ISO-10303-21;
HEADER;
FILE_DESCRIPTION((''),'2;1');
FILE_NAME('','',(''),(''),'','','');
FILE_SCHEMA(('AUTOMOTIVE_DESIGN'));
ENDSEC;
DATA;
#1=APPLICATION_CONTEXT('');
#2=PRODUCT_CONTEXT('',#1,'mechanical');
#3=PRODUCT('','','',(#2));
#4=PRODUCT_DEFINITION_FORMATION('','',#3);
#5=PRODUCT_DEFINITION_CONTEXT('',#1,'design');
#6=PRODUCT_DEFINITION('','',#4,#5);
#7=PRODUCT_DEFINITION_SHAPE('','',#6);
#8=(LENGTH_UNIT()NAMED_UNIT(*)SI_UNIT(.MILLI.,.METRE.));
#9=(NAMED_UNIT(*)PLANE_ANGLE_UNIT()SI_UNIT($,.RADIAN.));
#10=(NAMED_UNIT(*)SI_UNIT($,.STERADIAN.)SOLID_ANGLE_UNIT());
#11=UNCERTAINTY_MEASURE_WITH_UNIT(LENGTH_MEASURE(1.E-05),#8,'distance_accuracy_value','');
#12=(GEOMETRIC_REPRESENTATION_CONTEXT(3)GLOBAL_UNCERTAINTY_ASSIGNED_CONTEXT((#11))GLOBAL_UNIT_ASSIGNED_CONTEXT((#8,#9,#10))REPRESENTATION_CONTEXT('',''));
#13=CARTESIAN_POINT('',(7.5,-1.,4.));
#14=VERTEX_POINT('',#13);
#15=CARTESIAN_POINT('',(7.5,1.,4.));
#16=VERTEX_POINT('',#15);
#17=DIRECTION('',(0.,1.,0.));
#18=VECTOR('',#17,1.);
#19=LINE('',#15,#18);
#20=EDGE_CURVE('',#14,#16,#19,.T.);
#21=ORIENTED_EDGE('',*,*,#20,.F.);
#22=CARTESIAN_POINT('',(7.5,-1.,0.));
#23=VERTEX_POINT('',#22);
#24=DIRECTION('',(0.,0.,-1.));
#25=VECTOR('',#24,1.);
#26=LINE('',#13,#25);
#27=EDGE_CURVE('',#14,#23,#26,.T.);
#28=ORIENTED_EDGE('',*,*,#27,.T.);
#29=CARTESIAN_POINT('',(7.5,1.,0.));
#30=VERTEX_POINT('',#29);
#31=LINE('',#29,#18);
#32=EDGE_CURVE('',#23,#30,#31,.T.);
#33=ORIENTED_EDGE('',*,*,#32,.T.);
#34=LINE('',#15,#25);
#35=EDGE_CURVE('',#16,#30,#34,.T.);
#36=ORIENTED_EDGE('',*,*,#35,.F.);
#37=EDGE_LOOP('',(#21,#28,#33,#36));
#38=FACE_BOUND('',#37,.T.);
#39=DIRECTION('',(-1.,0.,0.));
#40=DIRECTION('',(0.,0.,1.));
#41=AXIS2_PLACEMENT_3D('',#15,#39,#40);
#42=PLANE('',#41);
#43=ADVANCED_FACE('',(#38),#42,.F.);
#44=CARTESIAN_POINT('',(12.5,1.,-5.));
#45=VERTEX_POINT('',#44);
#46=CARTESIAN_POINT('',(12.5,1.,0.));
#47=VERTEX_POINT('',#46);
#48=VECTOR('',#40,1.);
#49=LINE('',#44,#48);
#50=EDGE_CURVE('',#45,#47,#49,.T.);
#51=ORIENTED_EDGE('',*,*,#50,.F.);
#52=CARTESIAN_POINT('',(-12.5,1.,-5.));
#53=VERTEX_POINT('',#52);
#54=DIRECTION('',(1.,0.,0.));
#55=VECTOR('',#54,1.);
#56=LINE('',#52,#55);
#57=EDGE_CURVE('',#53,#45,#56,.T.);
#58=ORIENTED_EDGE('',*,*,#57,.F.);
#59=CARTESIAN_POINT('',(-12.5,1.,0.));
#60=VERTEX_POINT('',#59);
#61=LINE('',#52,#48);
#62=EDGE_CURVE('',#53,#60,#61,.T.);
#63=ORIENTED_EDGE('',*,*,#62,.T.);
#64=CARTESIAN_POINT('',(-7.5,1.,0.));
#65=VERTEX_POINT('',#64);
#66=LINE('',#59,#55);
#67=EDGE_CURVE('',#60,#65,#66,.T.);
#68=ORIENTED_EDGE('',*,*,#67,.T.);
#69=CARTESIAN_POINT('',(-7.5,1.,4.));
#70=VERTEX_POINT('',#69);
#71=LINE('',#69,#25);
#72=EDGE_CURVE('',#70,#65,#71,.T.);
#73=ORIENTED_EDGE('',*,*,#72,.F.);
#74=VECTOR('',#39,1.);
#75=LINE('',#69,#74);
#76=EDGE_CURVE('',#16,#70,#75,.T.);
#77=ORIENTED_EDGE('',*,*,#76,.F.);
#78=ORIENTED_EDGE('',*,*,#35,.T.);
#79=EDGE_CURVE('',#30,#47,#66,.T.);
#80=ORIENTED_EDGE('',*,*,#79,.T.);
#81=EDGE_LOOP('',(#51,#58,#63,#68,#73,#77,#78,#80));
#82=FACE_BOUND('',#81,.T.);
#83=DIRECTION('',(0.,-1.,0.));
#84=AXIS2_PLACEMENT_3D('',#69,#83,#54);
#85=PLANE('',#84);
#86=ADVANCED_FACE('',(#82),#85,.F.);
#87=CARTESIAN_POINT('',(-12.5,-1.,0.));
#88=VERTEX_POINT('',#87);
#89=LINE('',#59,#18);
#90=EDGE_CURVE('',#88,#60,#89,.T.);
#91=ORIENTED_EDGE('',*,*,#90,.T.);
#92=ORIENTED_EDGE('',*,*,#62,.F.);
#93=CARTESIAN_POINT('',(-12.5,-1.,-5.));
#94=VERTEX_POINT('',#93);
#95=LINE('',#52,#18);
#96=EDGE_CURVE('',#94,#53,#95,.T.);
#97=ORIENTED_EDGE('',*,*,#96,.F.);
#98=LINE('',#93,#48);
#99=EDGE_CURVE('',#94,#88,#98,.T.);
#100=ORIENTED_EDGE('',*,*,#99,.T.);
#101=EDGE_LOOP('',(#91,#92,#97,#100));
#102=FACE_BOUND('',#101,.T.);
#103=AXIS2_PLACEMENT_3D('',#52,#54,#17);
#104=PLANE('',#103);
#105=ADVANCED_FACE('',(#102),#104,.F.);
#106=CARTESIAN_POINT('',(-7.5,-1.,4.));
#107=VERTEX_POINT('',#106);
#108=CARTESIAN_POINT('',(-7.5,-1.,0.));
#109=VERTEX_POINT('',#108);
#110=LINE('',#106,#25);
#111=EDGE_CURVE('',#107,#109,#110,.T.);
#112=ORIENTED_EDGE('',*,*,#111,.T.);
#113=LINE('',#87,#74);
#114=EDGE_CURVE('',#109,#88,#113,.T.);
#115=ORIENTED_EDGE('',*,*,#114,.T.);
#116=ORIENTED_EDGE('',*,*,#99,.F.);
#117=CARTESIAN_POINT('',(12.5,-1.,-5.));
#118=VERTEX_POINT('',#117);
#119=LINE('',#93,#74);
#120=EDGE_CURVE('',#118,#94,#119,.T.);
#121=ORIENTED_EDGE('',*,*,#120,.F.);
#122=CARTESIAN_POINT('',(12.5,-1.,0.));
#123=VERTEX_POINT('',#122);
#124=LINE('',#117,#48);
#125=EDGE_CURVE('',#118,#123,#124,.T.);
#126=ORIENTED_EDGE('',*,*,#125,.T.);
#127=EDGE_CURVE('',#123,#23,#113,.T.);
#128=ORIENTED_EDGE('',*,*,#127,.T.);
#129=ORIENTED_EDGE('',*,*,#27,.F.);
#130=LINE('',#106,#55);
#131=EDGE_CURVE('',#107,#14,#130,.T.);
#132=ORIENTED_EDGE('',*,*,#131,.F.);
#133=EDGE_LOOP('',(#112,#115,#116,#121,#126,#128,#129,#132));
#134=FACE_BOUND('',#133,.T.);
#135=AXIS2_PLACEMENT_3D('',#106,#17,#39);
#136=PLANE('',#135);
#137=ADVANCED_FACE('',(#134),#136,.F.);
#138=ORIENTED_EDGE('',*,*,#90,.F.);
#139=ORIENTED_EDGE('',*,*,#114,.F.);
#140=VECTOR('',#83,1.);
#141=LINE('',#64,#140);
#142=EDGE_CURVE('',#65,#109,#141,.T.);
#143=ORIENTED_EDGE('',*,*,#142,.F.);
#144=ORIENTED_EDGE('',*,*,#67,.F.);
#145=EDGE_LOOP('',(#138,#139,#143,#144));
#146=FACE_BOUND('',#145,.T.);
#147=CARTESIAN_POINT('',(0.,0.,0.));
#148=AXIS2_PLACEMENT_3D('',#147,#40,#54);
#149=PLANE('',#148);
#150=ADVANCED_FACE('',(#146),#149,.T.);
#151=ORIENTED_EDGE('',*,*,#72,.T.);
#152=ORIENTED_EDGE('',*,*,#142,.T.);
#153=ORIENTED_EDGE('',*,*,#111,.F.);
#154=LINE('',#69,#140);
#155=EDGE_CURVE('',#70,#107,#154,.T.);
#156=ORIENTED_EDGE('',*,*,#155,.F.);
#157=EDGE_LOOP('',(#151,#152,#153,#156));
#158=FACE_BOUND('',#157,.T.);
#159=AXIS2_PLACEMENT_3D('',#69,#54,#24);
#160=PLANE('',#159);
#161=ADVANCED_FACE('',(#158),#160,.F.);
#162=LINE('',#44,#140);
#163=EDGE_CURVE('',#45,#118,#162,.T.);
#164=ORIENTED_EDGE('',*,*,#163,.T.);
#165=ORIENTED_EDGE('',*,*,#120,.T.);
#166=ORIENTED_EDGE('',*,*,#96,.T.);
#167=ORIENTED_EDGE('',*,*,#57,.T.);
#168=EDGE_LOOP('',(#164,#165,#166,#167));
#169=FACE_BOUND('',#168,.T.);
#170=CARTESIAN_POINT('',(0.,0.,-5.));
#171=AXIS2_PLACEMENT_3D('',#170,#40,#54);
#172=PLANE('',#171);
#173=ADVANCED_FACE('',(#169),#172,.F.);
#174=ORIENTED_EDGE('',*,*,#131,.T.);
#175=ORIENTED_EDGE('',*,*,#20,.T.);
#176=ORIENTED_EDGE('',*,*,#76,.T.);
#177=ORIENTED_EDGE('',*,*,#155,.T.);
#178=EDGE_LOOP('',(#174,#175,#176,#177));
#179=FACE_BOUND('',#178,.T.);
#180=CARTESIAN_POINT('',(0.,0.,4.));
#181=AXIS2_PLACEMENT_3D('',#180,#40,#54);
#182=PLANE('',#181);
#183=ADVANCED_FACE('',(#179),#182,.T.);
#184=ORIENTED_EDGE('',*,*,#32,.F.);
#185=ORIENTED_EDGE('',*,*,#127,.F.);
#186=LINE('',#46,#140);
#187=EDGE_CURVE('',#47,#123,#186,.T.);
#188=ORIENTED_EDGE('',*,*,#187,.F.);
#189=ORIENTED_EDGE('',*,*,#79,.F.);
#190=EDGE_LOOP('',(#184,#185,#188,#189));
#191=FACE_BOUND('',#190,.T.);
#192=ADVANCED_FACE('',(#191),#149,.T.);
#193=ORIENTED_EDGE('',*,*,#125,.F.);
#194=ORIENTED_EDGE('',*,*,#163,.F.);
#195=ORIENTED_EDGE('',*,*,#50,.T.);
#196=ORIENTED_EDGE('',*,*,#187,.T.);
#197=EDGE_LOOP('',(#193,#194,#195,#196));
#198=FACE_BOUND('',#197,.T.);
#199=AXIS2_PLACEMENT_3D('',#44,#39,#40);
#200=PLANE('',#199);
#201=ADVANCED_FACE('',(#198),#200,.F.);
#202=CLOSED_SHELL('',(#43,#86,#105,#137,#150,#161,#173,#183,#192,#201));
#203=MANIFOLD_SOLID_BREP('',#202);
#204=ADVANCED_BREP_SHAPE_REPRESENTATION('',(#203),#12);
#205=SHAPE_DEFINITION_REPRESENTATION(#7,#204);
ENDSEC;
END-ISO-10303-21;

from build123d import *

# Parameters (mm, degrees)
SKETCH1_W           = 15
SKETCH1_H           = 2
BOSS_EXTRUDE1_DEPTH = 4
SKETCH2_W           = 25
SKETCH2_H           = 2
BOSS_EXTRUDE2_DEPTH = 5


with BuildPart() as part:
    # Sketch1 → Boss-Extrude1 (new body)
    with BuildSketch(Plane.XY):
        Rectangle(SKETCH1_W, SKETCH1_H)
    extrude(amount=BOSS_EXTRUDE1_DEPTH)

    # Sketch2 → Boss-Extrude2 (add)
    with BuildSketch(Plane(origin=(0, 0, 0), x_dir=(-1, 0, 0), z_dir=(0, 0, -1))):
        Rectangle(SKETCH2_W, SKETCH2_H)
    extrude(amount=BOSS_EXTRUDE2_DEPTH)


solid = part.part
